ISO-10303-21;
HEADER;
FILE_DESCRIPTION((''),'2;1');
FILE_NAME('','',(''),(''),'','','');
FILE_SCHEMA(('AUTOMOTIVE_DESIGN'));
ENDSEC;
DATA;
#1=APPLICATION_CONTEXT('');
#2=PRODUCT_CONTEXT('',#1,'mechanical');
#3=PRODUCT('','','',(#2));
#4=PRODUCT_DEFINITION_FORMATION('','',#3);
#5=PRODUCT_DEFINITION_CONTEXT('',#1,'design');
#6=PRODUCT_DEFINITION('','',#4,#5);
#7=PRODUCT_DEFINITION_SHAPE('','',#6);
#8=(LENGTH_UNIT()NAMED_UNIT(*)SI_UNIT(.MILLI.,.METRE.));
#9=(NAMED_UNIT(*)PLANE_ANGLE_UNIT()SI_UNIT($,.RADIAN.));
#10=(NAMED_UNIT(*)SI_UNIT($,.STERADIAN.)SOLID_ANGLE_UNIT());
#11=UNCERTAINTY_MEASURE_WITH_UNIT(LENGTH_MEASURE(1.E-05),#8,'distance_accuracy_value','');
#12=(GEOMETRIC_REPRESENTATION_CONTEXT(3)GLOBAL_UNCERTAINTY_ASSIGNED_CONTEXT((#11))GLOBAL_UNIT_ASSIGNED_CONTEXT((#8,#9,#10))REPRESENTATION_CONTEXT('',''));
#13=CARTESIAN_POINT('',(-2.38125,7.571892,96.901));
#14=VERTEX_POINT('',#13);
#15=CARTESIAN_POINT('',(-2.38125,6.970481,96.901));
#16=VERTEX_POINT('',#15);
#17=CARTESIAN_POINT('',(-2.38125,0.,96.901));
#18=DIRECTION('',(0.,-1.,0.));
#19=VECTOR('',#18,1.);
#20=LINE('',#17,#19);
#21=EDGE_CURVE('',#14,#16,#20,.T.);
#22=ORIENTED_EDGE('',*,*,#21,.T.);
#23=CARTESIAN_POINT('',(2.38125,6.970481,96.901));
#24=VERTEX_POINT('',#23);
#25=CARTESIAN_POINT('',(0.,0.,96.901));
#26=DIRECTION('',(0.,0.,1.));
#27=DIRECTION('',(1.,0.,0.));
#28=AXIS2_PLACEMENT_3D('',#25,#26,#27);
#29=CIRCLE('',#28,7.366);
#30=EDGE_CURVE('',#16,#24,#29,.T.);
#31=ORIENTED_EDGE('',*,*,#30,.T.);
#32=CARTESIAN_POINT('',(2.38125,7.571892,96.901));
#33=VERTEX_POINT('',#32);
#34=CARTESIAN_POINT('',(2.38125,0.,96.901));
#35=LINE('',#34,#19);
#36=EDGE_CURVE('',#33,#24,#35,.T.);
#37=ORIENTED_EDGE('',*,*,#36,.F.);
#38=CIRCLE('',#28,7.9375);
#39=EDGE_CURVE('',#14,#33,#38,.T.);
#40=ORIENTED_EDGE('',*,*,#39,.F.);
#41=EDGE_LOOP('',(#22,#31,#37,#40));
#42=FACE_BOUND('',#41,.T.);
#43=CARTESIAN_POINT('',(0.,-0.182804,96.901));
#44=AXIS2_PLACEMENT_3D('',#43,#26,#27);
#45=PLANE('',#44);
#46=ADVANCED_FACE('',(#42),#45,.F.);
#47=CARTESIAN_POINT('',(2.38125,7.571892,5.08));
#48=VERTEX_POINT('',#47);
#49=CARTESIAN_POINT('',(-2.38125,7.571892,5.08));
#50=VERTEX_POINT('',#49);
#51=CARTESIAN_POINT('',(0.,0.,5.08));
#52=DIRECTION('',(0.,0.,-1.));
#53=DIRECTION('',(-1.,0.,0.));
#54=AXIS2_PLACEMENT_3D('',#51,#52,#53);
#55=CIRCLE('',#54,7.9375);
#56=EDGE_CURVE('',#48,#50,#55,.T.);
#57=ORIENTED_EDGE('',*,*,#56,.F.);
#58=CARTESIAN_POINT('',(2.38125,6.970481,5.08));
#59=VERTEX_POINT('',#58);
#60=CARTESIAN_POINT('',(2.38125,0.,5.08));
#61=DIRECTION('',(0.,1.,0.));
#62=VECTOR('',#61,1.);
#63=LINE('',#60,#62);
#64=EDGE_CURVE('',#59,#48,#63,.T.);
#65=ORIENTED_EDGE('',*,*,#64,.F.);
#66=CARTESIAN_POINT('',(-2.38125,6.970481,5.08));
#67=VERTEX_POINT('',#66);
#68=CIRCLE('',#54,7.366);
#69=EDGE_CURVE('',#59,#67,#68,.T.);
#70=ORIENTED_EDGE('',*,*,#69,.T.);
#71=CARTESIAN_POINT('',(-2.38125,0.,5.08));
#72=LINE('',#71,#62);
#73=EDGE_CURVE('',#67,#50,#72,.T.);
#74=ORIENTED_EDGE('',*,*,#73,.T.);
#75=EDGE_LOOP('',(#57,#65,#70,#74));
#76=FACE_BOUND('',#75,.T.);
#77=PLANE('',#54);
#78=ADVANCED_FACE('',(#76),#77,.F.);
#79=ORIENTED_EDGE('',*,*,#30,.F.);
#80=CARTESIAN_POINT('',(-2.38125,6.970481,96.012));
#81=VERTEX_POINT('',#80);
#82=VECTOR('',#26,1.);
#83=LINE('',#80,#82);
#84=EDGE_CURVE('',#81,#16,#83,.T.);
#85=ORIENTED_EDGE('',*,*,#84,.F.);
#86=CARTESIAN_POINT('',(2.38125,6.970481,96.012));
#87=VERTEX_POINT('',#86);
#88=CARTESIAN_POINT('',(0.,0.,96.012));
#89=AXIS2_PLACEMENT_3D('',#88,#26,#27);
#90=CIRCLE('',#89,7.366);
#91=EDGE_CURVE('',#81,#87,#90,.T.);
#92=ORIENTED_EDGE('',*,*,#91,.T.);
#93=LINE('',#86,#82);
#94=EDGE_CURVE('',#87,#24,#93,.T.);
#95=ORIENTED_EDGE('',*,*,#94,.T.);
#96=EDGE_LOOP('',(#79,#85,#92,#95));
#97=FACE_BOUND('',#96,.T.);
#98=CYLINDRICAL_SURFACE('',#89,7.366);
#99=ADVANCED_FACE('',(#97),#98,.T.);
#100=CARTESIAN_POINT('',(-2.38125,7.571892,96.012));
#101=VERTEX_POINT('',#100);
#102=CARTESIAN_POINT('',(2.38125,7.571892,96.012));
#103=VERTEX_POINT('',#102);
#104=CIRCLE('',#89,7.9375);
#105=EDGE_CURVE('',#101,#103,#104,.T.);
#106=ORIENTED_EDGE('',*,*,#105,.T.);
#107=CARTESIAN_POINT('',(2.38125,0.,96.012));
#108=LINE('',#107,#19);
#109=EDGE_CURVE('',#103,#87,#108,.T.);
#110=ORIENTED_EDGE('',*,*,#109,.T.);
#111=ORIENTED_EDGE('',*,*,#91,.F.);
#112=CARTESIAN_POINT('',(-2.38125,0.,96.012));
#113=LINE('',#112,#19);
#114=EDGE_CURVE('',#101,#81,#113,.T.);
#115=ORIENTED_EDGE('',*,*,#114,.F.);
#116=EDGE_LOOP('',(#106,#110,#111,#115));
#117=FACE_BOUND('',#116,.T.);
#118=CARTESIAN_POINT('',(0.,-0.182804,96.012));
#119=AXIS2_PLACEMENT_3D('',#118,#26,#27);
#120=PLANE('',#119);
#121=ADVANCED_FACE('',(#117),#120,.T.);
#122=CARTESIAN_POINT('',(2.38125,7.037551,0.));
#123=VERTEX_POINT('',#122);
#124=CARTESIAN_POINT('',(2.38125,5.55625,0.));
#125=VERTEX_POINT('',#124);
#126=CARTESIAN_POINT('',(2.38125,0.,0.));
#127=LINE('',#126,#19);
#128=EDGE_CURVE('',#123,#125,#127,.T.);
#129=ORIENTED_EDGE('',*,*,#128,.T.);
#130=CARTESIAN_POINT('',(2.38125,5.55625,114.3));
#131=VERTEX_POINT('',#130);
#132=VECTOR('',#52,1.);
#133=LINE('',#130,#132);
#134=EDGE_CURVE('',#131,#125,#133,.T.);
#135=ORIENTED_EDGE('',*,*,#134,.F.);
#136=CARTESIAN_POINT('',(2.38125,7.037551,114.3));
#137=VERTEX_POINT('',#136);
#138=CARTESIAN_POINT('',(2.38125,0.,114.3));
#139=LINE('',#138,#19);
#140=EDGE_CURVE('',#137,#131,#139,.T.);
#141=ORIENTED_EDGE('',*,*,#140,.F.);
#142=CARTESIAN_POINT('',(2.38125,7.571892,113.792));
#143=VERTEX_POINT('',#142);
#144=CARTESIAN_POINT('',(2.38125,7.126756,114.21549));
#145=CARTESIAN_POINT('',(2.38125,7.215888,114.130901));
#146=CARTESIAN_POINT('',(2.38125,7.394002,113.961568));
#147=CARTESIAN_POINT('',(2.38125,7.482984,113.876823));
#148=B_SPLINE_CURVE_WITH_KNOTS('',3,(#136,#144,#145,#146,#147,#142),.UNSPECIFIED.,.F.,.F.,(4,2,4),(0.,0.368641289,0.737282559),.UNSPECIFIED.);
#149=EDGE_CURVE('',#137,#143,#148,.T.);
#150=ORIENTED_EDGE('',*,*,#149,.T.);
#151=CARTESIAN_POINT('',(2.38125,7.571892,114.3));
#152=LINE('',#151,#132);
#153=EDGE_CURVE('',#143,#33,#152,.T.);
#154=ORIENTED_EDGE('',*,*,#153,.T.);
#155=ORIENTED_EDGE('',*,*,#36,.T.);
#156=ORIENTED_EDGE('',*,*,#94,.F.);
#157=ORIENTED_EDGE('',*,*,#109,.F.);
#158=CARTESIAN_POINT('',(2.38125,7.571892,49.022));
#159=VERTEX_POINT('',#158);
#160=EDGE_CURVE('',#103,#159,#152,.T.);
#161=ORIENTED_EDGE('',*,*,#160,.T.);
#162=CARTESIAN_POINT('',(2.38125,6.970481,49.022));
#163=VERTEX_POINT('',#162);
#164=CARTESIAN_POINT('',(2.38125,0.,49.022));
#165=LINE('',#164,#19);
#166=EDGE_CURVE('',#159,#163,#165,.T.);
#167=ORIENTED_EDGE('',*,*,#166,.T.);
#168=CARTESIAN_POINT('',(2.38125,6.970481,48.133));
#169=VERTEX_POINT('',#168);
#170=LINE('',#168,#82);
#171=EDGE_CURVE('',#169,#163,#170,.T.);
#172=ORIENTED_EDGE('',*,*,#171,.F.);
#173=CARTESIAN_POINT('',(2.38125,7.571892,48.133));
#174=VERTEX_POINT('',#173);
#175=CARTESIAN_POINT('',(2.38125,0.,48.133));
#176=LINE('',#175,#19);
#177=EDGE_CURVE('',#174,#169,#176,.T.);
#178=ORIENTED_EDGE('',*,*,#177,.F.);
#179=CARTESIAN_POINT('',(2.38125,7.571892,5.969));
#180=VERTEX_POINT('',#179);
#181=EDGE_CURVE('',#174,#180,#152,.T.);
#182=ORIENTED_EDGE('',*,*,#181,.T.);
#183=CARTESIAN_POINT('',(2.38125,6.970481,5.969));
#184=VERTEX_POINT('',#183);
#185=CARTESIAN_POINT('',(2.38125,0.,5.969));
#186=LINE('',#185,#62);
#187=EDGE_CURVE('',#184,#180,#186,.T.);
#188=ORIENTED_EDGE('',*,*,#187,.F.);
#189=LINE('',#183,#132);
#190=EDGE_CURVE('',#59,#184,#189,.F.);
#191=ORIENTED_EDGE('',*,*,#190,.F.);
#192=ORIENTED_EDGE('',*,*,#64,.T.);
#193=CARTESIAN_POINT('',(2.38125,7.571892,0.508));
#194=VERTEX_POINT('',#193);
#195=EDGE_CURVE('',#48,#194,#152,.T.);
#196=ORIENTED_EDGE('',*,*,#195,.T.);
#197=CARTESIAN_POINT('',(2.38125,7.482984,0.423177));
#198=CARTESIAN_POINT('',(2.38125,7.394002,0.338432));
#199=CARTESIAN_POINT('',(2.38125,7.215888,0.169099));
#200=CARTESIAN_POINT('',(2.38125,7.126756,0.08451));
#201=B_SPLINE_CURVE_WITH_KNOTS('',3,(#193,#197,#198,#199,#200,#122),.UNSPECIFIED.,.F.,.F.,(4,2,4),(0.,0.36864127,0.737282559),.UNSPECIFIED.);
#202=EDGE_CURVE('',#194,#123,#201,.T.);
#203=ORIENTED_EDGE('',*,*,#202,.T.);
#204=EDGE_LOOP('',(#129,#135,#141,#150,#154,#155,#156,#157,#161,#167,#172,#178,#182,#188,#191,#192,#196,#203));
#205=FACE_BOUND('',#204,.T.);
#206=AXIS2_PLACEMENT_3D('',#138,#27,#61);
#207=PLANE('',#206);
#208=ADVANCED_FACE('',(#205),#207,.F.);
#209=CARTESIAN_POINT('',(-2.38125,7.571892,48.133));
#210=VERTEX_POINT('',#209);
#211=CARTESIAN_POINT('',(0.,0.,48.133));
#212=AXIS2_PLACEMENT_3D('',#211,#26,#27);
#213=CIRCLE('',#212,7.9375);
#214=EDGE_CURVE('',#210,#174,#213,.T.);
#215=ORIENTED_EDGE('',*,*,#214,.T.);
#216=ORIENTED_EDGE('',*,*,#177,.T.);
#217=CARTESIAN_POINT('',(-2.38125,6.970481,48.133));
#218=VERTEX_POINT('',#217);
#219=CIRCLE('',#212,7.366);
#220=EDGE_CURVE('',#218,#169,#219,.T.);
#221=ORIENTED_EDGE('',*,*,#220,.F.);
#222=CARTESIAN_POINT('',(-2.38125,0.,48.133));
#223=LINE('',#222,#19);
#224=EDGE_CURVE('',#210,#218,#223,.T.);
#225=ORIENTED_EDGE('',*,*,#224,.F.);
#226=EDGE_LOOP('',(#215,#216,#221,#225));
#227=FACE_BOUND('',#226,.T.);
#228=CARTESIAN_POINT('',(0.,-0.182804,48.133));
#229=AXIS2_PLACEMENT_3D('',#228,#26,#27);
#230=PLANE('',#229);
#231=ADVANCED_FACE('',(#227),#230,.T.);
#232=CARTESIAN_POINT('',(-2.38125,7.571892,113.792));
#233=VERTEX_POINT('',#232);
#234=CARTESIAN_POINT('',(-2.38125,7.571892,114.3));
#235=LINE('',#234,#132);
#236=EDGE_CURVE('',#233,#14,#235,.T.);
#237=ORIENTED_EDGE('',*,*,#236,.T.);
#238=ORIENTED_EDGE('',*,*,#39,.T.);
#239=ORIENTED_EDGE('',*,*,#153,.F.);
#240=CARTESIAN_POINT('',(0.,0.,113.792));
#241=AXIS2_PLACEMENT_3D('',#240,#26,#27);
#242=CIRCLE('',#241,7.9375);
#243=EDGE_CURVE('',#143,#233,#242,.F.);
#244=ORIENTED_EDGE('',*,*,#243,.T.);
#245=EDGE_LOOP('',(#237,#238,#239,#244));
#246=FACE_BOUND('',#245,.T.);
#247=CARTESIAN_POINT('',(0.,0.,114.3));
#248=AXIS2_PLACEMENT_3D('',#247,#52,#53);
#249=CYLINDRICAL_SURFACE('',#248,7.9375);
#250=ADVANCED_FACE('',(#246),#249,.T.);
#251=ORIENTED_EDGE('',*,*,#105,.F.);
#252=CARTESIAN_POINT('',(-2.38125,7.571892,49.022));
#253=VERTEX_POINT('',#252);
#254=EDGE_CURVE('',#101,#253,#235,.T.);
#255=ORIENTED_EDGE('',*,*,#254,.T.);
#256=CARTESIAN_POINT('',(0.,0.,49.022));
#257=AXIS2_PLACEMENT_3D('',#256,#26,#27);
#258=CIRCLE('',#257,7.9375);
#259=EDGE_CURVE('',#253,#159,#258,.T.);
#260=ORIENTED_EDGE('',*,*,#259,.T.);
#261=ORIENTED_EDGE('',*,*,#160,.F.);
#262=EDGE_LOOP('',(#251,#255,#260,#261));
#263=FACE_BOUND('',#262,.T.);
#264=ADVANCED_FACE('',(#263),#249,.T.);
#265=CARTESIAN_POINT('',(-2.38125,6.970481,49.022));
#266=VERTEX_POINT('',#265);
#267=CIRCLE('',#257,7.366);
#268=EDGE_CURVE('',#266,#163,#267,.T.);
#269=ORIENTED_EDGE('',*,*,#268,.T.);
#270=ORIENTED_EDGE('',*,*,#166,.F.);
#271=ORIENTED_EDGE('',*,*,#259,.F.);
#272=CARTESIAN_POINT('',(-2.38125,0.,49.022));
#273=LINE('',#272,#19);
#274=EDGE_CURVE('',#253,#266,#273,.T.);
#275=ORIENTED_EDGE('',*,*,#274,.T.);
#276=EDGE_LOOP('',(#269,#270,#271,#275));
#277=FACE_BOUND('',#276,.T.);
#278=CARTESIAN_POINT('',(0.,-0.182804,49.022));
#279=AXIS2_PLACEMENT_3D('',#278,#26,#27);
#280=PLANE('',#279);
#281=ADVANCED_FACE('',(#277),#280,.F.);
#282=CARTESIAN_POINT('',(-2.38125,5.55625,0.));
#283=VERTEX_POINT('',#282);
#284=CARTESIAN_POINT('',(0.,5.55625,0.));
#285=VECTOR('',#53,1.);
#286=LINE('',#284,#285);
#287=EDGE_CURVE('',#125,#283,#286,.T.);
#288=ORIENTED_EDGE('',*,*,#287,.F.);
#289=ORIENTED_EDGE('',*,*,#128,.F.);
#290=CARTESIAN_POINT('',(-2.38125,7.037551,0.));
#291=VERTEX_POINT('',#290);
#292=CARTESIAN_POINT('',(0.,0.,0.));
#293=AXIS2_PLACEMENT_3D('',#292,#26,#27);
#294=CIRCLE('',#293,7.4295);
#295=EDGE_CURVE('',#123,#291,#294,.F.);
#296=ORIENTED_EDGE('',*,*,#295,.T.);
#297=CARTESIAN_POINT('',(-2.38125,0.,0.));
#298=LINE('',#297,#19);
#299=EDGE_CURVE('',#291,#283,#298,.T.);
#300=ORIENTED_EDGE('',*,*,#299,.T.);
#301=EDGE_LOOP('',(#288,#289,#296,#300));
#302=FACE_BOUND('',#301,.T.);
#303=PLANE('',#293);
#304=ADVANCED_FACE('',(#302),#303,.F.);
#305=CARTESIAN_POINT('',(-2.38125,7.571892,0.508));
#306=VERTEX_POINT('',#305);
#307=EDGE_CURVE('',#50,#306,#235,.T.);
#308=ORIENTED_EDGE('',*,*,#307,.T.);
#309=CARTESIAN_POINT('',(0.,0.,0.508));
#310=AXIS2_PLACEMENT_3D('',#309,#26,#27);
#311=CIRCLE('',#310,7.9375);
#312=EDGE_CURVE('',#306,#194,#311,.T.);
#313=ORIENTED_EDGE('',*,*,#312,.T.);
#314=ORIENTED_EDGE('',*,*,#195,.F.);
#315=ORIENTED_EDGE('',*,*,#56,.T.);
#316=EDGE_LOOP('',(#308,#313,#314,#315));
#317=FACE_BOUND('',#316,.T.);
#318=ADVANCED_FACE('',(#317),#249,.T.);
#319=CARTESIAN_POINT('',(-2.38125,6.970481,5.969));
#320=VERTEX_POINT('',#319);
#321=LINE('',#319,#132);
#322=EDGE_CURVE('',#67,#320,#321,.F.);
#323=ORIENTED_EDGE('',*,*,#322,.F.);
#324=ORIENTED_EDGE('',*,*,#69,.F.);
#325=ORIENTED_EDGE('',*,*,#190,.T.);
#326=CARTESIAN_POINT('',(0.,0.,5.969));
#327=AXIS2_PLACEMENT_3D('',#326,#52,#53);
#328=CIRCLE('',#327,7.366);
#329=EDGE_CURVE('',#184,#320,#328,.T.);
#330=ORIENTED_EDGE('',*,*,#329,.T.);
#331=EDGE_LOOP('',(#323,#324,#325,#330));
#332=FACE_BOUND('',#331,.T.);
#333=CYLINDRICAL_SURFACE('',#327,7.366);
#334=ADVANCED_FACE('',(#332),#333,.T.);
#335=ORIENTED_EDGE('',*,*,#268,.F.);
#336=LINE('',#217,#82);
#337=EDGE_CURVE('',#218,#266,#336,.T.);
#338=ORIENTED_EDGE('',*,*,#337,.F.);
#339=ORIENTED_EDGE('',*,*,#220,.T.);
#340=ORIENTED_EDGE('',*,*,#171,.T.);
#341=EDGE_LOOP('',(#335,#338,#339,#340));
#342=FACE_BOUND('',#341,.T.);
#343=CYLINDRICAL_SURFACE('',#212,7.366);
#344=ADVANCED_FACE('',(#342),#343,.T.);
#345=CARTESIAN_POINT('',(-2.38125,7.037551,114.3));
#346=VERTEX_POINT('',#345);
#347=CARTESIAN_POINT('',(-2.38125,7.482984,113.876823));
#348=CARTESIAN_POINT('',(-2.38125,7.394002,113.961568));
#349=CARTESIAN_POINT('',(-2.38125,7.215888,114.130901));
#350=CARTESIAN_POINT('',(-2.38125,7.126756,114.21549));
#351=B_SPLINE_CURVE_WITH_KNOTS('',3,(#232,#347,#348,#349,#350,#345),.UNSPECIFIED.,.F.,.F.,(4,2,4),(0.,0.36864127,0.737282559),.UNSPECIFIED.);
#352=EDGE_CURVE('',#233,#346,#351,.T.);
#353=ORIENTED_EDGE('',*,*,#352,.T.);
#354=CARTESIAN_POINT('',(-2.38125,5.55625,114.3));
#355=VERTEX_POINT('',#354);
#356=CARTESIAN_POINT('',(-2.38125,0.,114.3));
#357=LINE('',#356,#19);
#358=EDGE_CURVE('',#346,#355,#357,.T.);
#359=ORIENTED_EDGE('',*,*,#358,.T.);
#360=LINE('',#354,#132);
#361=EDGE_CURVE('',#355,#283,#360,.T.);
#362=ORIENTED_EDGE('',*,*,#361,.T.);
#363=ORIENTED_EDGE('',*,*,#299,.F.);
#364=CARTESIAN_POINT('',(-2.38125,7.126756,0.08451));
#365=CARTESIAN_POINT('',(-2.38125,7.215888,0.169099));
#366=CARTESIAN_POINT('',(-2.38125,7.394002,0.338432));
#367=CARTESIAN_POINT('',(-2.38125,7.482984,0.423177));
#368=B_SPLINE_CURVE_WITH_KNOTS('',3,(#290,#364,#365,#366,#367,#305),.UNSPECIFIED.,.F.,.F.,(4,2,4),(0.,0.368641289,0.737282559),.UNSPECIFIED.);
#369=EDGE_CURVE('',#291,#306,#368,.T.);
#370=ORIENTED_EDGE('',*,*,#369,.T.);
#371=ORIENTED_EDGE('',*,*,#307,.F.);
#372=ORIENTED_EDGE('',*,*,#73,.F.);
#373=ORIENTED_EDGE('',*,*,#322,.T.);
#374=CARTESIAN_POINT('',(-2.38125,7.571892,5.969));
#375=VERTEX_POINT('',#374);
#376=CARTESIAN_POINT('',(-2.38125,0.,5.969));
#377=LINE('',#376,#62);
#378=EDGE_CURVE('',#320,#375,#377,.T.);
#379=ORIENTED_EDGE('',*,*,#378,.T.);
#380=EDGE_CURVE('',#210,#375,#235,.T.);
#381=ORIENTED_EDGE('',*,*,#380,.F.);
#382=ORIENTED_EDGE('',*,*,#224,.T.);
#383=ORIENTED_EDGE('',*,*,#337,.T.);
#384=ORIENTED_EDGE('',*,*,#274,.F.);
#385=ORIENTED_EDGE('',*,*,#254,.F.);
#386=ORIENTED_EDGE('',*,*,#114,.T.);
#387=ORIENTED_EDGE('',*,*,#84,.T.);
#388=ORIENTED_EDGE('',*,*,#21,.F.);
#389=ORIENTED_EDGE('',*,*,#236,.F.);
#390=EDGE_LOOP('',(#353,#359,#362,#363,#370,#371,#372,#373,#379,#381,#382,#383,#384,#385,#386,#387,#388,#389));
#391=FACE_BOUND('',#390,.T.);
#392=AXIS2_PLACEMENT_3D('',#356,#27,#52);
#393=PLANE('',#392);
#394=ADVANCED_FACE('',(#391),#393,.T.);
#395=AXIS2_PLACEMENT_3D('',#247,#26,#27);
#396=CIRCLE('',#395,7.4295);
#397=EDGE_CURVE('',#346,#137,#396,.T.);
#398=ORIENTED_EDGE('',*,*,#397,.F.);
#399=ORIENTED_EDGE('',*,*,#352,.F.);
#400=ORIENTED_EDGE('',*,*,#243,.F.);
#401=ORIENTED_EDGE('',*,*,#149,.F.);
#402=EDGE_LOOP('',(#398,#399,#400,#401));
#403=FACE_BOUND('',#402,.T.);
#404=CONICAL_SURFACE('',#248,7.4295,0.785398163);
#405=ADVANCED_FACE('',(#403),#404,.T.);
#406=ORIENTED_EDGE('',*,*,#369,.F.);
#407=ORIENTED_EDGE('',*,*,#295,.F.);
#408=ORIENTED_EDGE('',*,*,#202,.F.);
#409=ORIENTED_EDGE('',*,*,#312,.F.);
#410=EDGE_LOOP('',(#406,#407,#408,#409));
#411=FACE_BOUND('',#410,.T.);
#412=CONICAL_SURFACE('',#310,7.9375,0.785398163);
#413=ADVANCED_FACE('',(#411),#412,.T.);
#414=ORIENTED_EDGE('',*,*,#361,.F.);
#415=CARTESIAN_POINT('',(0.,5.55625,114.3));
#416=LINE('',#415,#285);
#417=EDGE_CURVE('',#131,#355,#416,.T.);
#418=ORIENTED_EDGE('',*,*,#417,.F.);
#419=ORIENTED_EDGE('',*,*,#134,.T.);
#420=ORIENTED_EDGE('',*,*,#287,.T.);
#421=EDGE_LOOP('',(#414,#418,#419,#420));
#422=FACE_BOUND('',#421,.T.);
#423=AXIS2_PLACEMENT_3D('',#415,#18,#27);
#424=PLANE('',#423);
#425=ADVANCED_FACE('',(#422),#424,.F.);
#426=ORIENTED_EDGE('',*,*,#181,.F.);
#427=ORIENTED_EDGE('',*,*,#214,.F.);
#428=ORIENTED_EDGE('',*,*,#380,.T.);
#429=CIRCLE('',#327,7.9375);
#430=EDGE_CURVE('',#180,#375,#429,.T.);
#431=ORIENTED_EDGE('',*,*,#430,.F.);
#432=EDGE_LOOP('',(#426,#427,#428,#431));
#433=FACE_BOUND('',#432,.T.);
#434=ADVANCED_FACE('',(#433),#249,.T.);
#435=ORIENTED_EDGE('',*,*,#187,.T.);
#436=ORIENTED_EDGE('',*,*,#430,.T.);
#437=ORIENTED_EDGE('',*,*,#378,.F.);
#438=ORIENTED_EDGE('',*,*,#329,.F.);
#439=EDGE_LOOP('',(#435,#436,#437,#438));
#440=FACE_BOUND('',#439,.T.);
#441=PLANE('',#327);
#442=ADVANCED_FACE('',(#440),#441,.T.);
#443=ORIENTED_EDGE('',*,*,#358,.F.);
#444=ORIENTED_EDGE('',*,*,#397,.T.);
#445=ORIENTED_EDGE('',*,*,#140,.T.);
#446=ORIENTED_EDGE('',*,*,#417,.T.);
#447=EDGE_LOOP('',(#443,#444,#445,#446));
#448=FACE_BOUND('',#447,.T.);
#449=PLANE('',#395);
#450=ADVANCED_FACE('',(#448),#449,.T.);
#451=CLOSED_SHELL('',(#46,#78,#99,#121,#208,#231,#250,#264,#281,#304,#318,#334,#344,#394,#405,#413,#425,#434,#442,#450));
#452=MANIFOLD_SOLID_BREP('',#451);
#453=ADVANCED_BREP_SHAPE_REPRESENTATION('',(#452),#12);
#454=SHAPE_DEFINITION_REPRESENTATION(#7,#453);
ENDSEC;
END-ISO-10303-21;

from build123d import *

# Parameters (mm, degrees)
BOSS_EXTRUDE1_DEPTH = 114.3
CHAMFER1_SIZE       = 0.508
SKETCH2_R           = 8.697781756
SKETCH2_R_2         = 7.366
CUT_EXTRUDE1_DEPTH  = 0.889
SKETCH3_OUTSIDE_W   = 41.162
SKETCH3_OUTSIDE_H   = 40.796
SKETCH3_OUTSIDE_R   = 7.366
CUT_EXTRUDE2_DEPTH  = 0.889
SKETCH4_OUTSIDE_W   = 41.162
SKETCH4_OUTSIDE_H   = 40.796
SKETCH4_OUTSIDE_R   = 7.366
CUT_EXTRUDE3_DEPTH  = 0.889


with BuildPart() as part:
    # Sketch1 → Boss-Extrude1 (new body)
    with BuildSketch(Plane.XY):
        with BuildLine():
            ThreePointArc((7.9375, 0), (6.399417088, 4.695888328), (2.38125, 7.571892411))
            Line((2.38125, 7.571892411), (2.38125, 5.55625))
            Line((2.38125, 5.55625), (-2.38125, 5.55625))
            Line((-2.38125, 5.55625), (-2.38125, 7.571892411))
            ThreePointArc((-2.38125, 7.571892411), (-4.695888328, -6.399417088), (7.9375, 0))
        make_face()
    extrude(amount=BOSS_EXTRUDE1_DEPTH)

    # Chamfer1
    chamfer1_edges = [part.edges().sort_by_distance(p)[0] for p in [
        (-4.695888328, -6.399417088, 0),
        (-4.695888328, -6.399417088, 114.3),
    ]]
    chamfer(chamfer1_edges, length=CHAMFER1_SIZE)

    # Sketch2 → Cut-Extrude1 (cut)
    with BuildSketch(Plane(origin=(0, 0, 5.08), x_dir=(-1, 0, 0), z_dir=(0, 0, -1))):
        Circle(SKETCH2_R)
        Circle(SKETCH2_R_2, mode=Mode.SUBTRACT)
    extrude(amount=-CUT_EXTRUDE1_DEPTH, mode=Mode.SUBTRACT)

    # Sketch3 outside → Cut-Extrude2 (cut)
    with BuildSketch(Plane.XY.offset(49.022)):
        with Locations((0, -0.183)):
            Rectangle(SKETCH3_OUTSIDE_W, SKETCH3_OUTSIDE_H)
        Circle(SKETCH3_OUTSIDE_R, mode=Mode.SUBTRACT)
    extrude(amount=-CUT_EXTRUDE2_DEPTH, mode=Mode.SUBTRACT)

    # Sketch4 outside → Cut-Extrude3 (cut)
    with BuildSketch(Plane.XY.offset(96.901)):
        with Locations((0, -0.183)):
            Rectangle(SKETCH4_OUTSIDE_W, SKETCH4_OUTSIDE_H)
        Circle(SKETCH4_OUTSIDE_R, mode=Mode.SUBTRACT)
    extrude(amount=-CUT_EXTRUDE3_DEPTH, mode=Mode.SUBTRACT)


solid = part.part
